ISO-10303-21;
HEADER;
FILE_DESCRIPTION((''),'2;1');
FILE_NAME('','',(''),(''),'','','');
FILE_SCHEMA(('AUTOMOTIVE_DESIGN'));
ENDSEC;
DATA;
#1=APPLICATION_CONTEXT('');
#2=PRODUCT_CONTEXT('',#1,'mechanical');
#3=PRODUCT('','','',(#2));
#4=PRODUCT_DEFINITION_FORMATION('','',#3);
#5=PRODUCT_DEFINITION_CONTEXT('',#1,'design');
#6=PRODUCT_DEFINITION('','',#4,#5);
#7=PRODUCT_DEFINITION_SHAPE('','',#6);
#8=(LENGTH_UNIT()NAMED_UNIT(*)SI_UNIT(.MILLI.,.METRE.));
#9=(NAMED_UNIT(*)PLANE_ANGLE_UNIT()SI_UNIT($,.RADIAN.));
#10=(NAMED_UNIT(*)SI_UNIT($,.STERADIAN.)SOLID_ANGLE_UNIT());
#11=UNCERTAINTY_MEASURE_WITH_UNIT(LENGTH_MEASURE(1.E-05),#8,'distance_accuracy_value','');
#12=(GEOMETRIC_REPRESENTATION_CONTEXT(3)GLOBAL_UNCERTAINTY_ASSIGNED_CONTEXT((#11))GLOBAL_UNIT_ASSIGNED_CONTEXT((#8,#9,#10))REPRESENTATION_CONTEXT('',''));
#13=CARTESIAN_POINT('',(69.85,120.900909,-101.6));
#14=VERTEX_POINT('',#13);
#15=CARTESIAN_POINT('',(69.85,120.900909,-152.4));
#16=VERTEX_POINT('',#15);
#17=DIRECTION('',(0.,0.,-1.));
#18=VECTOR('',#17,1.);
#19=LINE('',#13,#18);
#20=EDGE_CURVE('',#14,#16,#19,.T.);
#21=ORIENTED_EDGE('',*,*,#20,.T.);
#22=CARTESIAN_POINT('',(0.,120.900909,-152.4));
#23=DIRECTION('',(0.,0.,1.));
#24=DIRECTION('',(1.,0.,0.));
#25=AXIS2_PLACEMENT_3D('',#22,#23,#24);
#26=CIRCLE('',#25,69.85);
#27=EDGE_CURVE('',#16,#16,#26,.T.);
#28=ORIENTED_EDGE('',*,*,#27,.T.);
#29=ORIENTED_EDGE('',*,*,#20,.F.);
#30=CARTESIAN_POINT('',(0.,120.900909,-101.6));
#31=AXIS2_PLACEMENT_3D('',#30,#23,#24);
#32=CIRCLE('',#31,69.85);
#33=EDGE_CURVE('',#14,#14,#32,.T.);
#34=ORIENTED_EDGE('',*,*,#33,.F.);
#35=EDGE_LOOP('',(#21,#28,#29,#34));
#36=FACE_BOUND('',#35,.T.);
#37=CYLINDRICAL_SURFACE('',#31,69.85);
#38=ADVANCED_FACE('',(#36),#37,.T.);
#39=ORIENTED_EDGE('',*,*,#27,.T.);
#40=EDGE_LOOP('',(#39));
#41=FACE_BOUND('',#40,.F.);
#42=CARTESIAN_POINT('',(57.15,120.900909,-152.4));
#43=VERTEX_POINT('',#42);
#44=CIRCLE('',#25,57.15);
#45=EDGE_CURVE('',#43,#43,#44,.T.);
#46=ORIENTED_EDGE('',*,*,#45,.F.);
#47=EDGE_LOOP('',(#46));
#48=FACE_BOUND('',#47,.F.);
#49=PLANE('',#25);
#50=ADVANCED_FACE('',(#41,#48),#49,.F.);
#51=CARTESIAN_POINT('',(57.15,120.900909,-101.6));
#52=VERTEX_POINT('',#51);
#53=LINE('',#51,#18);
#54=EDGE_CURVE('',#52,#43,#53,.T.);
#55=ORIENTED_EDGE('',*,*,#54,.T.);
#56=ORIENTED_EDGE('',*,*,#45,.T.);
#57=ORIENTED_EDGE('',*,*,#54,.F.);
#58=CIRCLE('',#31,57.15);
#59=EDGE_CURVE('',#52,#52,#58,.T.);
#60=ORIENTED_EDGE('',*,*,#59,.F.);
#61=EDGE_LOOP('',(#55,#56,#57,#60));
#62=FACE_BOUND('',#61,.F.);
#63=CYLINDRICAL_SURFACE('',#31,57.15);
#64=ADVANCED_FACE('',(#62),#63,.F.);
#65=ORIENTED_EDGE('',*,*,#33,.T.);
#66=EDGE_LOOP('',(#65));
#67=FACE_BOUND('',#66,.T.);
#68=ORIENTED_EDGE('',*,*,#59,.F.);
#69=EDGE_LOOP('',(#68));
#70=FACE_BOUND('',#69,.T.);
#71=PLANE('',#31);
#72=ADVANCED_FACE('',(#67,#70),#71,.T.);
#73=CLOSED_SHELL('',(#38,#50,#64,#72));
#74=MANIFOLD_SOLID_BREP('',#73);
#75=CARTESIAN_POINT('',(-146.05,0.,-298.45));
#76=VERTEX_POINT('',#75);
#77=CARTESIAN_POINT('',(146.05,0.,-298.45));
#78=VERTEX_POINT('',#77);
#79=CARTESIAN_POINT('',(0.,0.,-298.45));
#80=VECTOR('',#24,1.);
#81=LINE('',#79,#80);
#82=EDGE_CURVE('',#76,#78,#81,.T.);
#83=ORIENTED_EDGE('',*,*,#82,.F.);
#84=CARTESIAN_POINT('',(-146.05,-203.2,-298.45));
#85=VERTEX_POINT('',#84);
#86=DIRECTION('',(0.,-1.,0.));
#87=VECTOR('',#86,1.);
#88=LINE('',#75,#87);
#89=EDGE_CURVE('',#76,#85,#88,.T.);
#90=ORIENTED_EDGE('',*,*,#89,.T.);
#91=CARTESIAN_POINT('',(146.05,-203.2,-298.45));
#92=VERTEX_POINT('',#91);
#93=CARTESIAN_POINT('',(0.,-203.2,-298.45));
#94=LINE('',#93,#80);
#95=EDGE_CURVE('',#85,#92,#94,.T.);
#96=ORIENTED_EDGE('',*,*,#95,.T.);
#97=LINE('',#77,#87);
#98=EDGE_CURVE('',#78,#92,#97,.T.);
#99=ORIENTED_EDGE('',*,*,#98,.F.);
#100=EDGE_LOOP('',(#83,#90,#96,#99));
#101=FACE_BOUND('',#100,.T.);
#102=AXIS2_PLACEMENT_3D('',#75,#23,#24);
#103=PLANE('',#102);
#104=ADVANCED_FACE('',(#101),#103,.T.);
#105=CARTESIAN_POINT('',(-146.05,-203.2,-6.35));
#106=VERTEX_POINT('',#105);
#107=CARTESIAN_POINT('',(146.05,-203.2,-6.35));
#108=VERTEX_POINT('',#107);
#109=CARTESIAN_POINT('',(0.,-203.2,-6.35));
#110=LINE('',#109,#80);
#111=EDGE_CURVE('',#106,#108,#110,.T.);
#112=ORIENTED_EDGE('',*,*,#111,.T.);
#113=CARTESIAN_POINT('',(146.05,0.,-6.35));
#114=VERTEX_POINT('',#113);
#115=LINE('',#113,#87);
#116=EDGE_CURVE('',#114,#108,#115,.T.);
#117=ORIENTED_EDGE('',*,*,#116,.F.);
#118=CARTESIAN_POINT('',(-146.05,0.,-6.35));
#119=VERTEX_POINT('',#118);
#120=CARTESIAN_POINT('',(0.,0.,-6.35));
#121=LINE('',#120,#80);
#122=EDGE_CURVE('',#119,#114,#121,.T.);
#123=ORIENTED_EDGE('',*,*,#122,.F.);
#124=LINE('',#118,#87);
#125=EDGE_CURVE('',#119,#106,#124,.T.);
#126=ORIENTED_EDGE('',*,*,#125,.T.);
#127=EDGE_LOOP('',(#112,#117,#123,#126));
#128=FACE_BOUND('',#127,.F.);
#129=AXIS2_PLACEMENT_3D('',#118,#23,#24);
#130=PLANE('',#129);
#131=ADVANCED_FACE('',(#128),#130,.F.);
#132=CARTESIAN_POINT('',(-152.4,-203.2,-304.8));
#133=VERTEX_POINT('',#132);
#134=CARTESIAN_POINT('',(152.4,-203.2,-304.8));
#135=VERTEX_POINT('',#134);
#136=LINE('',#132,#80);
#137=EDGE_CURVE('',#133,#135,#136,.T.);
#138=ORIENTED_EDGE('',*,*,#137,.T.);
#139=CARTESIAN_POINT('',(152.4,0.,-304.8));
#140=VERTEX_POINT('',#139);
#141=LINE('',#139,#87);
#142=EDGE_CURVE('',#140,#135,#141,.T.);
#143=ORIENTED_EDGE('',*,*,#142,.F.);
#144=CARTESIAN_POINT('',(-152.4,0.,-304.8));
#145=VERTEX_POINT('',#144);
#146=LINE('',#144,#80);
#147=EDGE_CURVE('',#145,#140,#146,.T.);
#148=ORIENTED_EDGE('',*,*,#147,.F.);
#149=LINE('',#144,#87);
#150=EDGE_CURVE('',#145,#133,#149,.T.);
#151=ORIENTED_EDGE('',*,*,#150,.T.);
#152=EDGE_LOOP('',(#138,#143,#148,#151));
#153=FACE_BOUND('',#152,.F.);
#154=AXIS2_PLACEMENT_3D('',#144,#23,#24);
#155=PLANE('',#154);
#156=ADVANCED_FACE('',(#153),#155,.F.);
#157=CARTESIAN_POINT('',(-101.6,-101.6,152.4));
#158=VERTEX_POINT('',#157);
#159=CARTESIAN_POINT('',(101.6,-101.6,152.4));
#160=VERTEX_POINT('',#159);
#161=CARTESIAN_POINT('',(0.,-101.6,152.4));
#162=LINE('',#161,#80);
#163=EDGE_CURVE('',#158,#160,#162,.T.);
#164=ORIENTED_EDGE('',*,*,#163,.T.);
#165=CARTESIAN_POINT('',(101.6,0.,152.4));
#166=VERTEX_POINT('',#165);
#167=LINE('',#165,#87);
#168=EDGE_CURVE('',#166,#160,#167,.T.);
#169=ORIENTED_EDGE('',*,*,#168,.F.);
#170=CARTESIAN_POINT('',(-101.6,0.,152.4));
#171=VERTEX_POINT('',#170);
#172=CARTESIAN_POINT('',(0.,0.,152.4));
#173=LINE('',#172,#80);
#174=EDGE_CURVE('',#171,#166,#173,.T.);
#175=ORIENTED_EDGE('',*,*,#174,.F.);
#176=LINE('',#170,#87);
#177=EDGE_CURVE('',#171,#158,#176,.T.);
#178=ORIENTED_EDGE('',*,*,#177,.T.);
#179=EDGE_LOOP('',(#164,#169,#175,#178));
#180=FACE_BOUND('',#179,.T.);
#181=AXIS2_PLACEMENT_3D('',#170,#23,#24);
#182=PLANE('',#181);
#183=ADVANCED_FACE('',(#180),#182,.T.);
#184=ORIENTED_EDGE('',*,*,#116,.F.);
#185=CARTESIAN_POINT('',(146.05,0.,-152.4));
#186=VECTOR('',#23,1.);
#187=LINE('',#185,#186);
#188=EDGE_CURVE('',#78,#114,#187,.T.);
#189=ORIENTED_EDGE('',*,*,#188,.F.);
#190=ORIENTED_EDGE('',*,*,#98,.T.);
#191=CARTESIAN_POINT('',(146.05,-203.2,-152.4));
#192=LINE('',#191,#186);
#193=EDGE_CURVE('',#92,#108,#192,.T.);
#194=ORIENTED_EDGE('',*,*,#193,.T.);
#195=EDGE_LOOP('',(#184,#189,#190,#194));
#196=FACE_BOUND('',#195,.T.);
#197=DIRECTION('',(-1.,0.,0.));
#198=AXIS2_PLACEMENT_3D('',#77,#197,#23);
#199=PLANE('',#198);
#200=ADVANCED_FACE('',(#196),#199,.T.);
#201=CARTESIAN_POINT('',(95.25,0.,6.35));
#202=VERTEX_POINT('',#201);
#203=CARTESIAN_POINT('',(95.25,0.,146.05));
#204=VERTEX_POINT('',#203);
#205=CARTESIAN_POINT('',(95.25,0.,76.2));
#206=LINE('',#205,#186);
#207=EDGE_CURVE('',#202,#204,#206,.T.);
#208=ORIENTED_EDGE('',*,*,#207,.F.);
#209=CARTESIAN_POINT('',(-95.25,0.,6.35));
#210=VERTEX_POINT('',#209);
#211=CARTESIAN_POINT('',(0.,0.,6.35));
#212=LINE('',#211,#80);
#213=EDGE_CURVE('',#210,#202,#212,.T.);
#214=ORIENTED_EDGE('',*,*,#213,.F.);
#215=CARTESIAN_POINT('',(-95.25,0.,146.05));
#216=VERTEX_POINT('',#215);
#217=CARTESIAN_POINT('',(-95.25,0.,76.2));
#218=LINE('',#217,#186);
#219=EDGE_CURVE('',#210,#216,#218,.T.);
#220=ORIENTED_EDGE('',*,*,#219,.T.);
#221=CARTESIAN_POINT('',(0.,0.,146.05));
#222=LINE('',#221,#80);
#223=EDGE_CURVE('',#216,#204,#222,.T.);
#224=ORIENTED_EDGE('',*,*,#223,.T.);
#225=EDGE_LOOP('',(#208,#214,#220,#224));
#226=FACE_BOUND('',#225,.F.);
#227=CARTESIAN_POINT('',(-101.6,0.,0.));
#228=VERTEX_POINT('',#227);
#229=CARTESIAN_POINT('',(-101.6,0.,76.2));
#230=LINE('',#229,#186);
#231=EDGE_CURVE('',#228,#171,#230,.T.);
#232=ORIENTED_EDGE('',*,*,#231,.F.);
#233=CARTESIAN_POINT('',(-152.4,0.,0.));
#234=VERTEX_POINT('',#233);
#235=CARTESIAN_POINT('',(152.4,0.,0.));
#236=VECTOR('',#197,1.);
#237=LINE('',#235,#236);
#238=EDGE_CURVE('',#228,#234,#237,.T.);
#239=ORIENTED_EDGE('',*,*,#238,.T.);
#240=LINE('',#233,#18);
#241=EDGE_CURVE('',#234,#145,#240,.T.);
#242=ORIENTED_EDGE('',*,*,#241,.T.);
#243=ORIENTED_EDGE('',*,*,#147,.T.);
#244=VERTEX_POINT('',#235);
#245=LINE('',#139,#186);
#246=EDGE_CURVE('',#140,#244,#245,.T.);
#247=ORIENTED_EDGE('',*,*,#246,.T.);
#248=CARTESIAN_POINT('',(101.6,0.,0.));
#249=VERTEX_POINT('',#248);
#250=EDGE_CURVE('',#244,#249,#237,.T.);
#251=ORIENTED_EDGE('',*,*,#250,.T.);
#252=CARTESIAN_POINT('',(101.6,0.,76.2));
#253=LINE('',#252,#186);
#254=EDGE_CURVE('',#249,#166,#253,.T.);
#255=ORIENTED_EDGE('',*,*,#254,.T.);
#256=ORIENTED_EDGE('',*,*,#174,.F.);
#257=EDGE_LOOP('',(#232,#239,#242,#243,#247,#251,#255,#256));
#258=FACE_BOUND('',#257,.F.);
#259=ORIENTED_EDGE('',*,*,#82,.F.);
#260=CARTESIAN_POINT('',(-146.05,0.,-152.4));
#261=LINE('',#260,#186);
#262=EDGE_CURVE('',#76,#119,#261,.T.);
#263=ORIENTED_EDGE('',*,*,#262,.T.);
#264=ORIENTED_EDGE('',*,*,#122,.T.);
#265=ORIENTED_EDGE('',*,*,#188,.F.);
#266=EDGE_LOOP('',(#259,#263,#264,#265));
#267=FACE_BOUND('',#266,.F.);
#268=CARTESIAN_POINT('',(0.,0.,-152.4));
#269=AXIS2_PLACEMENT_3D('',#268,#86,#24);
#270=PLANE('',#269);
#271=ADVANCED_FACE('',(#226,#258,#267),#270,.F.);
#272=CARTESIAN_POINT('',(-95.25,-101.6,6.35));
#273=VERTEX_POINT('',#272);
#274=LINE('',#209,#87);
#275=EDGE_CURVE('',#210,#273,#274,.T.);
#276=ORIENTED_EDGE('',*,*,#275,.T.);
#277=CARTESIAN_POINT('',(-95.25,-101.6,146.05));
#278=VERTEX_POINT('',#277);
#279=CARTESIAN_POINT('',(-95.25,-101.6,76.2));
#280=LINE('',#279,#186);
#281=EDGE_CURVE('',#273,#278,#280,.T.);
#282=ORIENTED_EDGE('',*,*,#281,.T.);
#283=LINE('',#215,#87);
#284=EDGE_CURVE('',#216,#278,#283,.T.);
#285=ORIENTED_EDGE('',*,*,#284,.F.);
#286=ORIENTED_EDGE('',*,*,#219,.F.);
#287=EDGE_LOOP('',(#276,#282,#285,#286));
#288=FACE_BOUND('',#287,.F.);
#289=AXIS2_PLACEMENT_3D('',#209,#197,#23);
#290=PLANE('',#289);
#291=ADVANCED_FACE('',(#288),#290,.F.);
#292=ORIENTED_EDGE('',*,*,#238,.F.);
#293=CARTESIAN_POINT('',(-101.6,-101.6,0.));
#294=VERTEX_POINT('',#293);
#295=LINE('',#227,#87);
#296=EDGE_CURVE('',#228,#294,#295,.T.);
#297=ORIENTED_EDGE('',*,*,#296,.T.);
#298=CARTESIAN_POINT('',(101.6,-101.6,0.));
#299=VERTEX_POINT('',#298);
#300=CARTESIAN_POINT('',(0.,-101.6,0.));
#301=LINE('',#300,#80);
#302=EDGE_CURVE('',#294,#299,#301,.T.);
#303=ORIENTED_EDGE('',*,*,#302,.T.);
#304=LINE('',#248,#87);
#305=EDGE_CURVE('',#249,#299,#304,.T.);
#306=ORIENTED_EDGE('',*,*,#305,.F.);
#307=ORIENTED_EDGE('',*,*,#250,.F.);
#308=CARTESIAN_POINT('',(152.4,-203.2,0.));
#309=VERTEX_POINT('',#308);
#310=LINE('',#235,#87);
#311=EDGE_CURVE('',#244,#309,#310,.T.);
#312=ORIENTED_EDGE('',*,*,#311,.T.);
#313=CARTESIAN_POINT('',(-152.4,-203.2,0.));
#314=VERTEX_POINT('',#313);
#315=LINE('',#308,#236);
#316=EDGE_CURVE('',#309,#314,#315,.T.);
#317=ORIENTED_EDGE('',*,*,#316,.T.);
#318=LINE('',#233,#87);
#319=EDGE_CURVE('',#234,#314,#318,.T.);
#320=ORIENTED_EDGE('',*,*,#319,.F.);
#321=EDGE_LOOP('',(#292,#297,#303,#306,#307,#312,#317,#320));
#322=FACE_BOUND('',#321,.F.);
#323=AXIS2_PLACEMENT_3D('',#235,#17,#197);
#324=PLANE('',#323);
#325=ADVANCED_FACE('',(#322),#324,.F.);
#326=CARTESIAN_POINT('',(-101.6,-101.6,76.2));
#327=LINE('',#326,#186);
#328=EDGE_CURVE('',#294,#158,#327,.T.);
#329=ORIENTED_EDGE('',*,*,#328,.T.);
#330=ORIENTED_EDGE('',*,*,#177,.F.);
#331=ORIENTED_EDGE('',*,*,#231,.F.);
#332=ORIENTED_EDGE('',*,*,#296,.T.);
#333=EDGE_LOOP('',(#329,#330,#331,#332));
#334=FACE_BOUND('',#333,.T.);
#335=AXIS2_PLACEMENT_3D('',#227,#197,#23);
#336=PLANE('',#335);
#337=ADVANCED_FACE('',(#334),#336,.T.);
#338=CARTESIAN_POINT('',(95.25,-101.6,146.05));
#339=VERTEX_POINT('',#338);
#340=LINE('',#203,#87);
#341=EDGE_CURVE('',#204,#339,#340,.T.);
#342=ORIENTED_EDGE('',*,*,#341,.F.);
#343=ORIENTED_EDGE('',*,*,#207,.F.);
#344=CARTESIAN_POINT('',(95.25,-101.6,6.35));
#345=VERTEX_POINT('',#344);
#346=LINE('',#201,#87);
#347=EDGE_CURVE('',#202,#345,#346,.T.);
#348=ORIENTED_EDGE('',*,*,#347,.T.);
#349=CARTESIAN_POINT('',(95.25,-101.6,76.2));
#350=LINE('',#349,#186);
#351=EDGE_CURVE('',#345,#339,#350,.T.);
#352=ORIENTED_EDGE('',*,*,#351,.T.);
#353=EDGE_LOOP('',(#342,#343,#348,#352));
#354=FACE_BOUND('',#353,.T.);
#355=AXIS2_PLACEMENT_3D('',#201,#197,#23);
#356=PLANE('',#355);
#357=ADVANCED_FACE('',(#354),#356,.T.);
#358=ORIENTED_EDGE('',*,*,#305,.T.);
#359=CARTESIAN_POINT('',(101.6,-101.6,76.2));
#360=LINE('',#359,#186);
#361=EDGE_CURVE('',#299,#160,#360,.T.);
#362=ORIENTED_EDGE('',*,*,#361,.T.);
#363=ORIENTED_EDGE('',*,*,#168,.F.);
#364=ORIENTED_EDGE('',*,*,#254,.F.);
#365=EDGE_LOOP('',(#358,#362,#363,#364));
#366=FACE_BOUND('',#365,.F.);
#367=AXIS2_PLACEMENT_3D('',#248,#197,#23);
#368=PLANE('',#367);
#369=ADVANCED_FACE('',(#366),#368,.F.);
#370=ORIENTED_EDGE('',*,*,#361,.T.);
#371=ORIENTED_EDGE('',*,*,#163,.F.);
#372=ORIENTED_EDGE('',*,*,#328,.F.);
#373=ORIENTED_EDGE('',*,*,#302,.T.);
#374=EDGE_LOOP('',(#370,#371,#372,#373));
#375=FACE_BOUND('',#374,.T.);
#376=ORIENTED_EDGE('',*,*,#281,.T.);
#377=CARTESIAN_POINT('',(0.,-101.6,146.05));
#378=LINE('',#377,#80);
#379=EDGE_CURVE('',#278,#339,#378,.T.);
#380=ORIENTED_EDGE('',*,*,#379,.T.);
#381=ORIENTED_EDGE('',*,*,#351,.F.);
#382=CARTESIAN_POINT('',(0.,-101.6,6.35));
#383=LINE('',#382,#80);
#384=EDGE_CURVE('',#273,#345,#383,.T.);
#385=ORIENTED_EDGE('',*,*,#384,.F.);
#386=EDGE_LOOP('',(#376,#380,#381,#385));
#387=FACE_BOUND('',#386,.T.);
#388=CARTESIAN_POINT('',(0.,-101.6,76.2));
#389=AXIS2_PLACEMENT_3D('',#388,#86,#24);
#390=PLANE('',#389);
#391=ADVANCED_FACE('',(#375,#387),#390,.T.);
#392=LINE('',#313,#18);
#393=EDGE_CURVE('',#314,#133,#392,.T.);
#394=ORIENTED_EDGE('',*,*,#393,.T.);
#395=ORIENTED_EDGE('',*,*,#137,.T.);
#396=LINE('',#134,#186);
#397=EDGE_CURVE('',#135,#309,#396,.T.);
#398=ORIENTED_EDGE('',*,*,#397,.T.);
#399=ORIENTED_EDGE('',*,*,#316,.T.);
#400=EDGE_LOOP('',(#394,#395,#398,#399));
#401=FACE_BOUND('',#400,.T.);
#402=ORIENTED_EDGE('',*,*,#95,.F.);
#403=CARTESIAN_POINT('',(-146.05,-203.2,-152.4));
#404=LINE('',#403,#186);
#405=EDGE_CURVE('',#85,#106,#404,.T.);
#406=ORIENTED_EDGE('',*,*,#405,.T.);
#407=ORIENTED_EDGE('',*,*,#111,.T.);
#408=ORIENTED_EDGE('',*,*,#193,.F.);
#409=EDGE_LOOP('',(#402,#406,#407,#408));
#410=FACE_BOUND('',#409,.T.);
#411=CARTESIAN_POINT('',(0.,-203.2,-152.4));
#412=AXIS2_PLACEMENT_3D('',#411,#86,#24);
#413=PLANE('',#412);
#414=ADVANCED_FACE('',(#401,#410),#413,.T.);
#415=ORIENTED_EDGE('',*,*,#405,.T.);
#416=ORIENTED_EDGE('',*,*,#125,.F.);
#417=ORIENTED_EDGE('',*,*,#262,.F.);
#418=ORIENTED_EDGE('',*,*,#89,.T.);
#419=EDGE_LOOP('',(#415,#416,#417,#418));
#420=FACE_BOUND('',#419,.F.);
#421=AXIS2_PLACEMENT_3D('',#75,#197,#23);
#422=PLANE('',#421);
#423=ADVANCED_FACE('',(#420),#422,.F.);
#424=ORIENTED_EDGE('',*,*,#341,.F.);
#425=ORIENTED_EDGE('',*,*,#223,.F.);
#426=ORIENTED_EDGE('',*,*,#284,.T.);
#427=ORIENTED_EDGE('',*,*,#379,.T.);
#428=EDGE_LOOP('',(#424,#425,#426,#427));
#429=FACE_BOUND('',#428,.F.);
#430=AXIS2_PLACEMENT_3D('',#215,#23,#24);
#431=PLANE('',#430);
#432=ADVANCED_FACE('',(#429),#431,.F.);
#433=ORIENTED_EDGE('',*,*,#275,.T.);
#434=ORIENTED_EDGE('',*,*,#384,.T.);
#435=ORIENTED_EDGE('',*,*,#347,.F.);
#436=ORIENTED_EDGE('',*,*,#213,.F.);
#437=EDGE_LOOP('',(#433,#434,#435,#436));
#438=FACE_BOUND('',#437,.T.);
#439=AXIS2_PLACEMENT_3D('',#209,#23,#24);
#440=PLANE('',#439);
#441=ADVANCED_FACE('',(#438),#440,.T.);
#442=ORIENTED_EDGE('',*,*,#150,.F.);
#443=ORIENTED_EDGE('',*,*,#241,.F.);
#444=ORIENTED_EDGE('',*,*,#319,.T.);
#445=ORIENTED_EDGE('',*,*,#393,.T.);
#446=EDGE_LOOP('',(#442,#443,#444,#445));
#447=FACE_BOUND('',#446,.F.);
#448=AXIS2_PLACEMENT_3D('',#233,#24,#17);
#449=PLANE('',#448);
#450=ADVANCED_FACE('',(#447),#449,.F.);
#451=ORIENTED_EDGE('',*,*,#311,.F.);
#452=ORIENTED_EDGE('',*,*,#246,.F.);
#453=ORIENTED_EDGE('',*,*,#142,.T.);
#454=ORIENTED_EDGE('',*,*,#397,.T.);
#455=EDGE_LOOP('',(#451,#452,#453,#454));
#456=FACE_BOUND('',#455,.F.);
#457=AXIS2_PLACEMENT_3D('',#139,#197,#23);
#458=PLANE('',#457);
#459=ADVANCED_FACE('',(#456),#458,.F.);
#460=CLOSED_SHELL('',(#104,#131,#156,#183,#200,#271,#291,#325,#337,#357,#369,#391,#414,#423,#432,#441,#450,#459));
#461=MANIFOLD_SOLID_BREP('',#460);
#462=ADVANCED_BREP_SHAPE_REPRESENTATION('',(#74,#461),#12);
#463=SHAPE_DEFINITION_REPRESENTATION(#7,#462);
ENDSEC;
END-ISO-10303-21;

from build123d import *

# Parameters (mm, degrees)
F0_W     = 203.2
F0_H     = 152.4
F0_W_2   = 190.5
F0_H_2   = 139.7
F1_DEPTH = 101.6
F0_W_3   = 292.1
F0_H_3   = 292.1
F2_DEPTH = 203.2
F4_R     = 69.85
F4_R_2   = 57.15
F5_DEPTH = 50.8


with BuildPart() as f1:
    # F0 (on Front) → F1 (new body)
    with BuildSketch(Plane.XZ):
        with Locations((0, 76.2)):
            Rectangle(F0_W, F0_H)
        with Locations((0, 76.2)):
            Rectangle(F0_W_2, F0_H_2, mode=Mode.SUBTRACT)
    extrude(amount=F1_DEPTH)

    # F0 (on Front) → F2 (join)
    with BuildSketch(Plane.XZ):
        Polygon((101.6, 0), (-101.6, 0), (-152.4, 0), (-152.4, -304.8), (152.4, -304.8), (152.4, 0), align=None)
        with Locations((0, -152.4)):
            Rectangle(F0_W_3, F0_H_3, mode=Mode.SUBTRACT)
    extrude(amount=F2_DEPTH)


with BuildPart() as f5:
    # F4 (on offset) → F5 (new body)
    with BuildSketch(Plane.XY.offset(-101.6)):
        with Locations((0, 120.9009091642)):
            Circle(F4_R)
        with Locations((0, 120.9009091642)):
            Circle(F4_R_2, mode=Mode.SUBTRACT)
    extrude(amount=-F5_DEPTH)


solid = Compound([f1.part, f5.part])
